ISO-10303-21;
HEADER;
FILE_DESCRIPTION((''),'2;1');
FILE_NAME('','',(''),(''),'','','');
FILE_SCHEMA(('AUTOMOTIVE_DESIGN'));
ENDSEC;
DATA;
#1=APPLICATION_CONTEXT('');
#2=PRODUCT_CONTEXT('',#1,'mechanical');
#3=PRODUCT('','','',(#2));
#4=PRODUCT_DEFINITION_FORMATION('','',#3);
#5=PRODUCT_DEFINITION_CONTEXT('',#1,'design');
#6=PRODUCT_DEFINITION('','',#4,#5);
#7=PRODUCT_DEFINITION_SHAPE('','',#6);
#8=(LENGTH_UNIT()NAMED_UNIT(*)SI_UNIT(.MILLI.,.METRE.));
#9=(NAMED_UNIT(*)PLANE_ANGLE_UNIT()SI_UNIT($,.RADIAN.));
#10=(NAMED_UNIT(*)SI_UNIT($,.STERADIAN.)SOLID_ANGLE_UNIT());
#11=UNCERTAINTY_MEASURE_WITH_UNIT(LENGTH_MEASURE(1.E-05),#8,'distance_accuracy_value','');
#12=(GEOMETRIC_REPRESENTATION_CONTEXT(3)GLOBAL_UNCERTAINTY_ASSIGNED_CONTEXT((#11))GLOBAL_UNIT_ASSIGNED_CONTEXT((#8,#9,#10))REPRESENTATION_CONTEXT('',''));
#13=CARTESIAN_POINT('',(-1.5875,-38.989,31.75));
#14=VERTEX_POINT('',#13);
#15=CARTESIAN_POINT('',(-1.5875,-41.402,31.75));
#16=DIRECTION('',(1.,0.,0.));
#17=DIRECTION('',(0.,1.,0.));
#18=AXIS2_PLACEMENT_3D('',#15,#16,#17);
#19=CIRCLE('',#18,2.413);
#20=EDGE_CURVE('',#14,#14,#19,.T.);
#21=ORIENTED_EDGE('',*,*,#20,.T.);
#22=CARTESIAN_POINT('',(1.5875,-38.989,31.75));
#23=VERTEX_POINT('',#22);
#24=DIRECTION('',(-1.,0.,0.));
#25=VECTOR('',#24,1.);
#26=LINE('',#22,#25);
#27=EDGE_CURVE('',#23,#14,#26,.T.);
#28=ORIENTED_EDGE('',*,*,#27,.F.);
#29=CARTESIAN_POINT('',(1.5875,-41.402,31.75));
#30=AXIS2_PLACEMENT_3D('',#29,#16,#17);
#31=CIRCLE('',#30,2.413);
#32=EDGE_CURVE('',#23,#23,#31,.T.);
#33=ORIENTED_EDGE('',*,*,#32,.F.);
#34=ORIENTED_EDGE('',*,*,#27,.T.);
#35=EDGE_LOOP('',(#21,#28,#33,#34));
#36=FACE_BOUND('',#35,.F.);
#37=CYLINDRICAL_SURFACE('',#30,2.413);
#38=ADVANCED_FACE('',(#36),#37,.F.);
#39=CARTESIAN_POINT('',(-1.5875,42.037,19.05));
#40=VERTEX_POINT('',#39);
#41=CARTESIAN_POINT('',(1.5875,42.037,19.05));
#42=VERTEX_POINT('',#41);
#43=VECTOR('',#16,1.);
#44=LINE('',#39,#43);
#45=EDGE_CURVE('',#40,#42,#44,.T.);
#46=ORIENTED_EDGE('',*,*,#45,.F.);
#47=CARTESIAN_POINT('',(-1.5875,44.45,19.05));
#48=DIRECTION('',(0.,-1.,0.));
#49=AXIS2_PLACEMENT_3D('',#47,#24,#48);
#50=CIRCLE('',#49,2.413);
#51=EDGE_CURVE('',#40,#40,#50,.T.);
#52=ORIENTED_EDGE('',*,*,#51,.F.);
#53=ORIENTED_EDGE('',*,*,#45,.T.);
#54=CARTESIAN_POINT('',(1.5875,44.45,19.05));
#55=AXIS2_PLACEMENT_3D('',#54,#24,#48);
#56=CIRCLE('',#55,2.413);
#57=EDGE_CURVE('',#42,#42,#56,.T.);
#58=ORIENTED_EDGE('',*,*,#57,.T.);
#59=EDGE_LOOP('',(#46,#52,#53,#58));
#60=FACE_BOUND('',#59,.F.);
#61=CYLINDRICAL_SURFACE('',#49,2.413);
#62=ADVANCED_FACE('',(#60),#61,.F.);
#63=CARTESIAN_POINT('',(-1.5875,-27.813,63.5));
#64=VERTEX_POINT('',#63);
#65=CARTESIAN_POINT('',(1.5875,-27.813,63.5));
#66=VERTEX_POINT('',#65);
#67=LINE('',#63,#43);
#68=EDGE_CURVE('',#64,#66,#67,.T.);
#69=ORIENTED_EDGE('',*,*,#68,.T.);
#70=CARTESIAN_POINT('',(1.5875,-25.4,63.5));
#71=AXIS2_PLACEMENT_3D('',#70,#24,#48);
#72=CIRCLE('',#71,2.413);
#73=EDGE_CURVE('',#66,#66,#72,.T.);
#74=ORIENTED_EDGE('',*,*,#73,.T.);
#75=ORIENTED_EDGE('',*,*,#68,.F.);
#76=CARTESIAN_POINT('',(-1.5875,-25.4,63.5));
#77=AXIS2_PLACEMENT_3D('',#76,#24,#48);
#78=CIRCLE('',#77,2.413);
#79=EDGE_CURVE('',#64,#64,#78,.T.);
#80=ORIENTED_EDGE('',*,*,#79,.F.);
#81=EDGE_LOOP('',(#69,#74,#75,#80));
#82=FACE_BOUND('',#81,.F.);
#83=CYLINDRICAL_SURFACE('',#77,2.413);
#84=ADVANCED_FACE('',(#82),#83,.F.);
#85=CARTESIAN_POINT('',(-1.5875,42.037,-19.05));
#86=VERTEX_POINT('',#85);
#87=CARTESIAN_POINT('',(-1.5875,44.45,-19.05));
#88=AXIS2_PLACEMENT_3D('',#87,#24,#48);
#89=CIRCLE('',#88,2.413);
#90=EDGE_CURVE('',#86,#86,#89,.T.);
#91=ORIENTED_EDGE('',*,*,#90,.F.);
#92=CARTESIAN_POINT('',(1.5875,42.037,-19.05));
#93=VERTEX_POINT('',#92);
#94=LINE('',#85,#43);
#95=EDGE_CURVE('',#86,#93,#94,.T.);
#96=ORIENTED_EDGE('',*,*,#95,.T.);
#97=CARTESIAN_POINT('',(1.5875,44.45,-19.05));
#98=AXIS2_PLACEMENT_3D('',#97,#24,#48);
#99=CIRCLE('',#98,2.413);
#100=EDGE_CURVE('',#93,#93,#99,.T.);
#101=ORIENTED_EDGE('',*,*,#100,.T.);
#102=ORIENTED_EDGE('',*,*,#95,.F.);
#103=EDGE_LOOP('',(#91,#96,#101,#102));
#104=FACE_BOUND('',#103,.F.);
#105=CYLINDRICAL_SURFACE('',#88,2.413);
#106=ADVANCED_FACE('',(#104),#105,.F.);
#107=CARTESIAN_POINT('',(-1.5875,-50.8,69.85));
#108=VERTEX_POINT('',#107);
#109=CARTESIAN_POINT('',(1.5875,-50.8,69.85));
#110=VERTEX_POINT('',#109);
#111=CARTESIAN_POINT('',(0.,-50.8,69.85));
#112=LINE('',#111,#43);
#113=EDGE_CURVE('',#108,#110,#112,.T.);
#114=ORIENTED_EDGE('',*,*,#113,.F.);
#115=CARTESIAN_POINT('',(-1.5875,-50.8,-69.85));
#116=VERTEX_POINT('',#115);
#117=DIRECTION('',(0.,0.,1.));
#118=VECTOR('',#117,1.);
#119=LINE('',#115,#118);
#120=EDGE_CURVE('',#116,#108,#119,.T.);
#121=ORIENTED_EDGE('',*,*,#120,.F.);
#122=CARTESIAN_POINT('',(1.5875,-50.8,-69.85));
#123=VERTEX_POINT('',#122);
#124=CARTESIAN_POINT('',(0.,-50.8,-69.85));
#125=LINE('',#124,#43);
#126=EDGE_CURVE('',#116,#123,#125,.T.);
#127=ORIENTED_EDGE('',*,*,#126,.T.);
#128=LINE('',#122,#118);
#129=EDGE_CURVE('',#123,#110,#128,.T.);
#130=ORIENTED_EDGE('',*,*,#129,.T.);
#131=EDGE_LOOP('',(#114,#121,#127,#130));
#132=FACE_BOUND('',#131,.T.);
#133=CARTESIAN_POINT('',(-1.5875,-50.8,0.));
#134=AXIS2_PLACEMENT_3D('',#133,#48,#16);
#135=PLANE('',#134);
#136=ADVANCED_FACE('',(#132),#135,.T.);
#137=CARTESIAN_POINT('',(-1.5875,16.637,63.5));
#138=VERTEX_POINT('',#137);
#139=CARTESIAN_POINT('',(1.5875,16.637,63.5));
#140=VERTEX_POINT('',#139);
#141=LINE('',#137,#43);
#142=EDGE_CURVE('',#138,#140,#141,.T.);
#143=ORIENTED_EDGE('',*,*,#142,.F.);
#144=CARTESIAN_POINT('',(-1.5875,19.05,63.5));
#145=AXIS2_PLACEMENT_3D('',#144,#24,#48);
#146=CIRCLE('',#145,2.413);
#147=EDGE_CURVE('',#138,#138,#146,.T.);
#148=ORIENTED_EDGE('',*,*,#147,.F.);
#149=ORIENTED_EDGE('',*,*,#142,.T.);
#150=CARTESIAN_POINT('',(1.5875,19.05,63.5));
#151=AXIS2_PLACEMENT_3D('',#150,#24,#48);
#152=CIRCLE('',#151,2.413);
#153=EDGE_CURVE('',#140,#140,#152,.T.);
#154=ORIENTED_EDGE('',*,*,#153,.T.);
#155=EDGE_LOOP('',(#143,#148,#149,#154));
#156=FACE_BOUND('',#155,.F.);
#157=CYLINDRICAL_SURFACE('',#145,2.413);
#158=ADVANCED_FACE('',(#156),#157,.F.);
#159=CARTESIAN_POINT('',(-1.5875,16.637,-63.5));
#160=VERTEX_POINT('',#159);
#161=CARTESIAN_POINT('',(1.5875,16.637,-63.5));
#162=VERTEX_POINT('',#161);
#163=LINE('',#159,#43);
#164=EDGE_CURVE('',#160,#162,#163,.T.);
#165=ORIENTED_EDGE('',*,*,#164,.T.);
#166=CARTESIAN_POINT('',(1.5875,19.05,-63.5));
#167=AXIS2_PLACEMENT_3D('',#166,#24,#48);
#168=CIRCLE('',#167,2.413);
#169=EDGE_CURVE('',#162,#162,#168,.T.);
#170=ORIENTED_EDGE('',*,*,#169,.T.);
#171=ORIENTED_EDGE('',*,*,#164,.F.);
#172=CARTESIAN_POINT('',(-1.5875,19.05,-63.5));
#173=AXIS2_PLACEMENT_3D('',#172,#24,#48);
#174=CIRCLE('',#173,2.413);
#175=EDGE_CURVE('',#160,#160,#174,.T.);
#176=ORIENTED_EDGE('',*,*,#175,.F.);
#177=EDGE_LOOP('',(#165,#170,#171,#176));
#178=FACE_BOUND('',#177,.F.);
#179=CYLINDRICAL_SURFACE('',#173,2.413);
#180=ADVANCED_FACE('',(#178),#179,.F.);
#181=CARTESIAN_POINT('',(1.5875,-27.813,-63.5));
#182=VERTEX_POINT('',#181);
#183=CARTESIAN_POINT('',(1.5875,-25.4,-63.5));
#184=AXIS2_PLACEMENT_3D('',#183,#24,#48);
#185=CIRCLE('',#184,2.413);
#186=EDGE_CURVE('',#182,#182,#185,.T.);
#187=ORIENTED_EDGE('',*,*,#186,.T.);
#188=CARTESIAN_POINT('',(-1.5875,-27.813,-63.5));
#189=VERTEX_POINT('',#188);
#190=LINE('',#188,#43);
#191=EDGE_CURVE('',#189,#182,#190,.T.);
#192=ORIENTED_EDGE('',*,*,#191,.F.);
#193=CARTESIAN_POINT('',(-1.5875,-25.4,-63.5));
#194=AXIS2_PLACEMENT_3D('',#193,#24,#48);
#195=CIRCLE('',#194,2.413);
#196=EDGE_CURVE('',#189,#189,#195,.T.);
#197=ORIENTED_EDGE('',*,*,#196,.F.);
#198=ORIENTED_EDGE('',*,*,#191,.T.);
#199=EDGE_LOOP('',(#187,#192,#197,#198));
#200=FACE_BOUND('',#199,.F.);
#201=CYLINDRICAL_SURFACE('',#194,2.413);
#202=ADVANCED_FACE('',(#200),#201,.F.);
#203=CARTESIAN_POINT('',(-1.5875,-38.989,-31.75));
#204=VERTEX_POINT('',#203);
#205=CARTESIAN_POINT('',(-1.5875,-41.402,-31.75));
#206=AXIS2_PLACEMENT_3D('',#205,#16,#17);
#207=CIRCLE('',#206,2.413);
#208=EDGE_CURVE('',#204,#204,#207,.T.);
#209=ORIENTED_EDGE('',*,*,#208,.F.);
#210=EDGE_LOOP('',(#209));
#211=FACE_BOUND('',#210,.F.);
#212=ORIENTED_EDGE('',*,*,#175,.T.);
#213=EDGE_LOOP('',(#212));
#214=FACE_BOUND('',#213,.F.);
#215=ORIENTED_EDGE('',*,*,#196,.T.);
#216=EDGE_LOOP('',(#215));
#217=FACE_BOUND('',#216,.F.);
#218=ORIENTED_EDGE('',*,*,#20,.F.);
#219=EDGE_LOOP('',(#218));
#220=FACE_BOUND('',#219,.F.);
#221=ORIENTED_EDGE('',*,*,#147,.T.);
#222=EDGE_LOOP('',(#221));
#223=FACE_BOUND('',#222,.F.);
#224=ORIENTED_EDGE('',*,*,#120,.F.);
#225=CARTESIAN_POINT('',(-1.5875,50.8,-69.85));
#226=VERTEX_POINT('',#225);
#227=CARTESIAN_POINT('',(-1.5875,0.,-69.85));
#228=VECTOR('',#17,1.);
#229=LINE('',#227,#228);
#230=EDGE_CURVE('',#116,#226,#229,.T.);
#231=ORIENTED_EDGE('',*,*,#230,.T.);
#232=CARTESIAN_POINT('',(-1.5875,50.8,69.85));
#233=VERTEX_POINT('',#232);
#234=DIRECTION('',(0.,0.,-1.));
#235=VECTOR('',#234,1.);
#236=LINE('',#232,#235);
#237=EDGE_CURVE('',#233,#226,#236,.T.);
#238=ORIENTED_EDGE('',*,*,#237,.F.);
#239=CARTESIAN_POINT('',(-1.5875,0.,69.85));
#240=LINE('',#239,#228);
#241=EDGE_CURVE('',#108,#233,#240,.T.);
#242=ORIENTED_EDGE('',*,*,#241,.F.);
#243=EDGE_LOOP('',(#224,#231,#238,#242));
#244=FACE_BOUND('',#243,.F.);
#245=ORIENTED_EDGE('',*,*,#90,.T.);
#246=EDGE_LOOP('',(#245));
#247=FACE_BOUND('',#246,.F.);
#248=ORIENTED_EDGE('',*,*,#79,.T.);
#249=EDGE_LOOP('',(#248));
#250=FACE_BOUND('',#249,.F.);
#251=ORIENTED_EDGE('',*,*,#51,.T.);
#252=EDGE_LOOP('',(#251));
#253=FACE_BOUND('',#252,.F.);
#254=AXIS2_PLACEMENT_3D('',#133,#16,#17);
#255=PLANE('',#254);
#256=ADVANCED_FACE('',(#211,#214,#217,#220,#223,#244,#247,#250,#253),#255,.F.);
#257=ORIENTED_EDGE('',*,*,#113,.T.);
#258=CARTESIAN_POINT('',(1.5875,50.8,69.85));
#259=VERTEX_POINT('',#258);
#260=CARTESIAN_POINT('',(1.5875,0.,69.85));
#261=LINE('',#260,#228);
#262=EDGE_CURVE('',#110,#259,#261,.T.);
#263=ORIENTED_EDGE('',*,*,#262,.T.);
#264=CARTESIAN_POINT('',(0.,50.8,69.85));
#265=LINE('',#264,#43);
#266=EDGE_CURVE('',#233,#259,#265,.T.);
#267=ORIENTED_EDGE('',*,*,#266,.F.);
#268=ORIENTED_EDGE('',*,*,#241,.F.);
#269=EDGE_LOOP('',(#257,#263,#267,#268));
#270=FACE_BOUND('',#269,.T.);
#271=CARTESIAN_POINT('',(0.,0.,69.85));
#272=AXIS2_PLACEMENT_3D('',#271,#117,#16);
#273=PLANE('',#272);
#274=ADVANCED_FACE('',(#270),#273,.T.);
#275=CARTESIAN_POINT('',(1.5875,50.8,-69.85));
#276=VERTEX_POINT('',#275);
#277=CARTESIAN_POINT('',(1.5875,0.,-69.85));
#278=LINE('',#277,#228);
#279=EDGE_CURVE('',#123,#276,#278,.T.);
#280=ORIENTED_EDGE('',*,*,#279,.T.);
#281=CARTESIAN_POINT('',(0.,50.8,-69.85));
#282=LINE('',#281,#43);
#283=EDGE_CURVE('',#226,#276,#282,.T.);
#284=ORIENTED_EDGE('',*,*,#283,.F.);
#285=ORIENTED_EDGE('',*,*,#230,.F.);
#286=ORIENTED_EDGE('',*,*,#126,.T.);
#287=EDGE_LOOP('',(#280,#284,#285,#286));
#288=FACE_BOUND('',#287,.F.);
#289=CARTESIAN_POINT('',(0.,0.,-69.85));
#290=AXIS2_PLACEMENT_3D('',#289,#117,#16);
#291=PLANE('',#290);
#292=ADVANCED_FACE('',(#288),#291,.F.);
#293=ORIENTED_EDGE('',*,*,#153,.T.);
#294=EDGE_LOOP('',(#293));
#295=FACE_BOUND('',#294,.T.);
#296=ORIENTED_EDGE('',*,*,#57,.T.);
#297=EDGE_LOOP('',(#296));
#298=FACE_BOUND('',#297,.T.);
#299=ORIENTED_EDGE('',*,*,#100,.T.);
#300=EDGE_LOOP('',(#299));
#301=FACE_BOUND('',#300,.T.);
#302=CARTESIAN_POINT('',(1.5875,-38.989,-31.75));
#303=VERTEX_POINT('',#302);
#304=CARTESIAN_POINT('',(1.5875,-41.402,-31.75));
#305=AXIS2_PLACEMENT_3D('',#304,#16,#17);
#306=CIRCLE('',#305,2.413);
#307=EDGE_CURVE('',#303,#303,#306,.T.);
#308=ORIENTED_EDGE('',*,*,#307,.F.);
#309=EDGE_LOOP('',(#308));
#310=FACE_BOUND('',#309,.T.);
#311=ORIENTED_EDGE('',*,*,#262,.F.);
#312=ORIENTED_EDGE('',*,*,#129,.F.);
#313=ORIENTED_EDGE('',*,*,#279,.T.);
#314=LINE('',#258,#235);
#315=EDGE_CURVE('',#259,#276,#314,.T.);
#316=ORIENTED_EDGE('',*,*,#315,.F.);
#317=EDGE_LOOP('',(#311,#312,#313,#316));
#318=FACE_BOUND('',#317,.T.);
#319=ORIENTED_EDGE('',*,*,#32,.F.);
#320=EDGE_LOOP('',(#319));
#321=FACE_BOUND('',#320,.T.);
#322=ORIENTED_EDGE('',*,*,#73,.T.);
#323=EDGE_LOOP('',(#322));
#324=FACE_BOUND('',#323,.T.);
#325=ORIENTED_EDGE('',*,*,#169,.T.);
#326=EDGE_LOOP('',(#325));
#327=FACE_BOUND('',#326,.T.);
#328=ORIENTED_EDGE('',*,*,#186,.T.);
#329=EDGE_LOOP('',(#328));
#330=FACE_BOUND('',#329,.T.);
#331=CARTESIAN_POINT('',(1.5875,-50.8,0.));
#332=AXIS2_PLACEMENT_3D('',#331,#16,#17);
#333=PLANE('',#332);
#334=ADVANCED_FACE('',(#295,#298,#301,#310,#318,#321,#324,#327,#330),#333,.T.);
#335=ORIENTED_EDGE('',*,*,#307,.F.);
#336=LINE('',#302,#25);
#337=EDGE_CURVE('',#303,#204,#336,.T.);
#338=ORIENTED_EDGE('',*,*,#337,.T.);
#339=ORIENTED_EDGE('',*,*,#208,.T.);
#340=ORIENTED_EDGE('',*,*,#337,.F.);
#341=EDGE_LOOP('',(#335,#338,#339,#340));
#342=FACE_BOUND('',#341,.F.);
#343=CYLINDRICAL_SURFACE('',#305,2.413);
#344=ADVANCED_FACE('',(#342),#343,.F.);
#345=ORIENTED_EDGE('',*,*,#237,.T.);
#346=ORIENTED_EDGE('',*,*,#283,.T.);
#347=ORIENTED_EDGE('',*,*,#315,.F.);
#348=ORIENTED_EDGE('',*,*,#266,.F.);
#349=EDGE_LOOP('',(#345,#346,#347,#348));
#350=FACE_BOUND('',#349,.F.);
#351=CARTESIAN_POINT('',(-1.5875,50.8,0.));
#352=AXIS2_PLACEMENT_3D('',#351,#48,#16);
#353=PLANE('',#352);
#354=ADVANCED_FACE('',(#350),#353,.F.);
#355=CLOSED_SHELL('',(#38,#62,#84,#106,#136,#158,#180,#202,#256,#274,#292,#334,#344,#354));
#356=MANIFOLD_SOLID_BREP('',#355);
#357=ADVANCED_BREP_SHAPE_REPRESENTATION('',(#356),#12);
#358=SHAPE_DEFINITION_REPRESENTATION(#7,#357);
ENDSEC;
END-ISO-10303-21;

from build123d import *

# Parameters (mm, degrees)
F0_W     = 3.175
F0_H     = 101.6
F1_DEPTH = 69.85
F2_R     = 2.413
F3_DEPTH = 3.175
F4_R     = 2.413
F5_DEPTH = 3.175
F6_R     = 2.413
F7_DEPTH = 3.175
F8_R     = 2.413
F9_DEPTH = 3.175


with BuildPart() as f1:
    # F0 (on Top) → F1 (new body, symmetric)
    with BuildSketch(Plane.XY):
        Rectangle(F0_W, F0_H)
    extrude(amount=F1_DEPTH, both=True)

    # F2 (on face) → F3 (cut, through all)
    with BuildSketch(Plane(origin=(-1.5875, 0, 0), x_dir=(0, -1, 0), z_dir=(-1, 0, 0))):
        with Locations((-44.45, -19.05)):
            Circle(F2_R)
        with Locations((-44.45, 19.05)):
            Circle(F2_R)
    extrude(amount=-F3_DEPTH, mode=Mode.SUBTRACT)

    # F4 (on face) → F5 (cut, through all)
    with BuildSketch(Plane(origin=(-1.5875, 0, 0), x_dir=(0, -1, 0), z_dir=(-1, 0, 0))):
        with Locations((-19.05, -63.5)):
            Circle(F4_R)
        with Locations((-19.05, 63.5)):
            Circle(F4_R)
    extrude(amount=-F5_DEPTH, mode=Mode.SUBTRACT)

    # F6 (on face) → F7 (cut, through all)
    with BuildSketch(Plane(origin=(-1.5875, 0, 0), x_dir=(0, -1, 0), z_dir=(-1, 0, 0))):
        with Locations((25.4, -63.5)):
            Circle(F6_R)
        with Locations((25.4, 63.5)):
            Circle(F6_R)
    extrude(amount=-F7_DEPTH, mode=Mode.SUBTRACT)

    # F8 (on face) → F9 (cut, through all)
    with BuildSketch(Plane.YZ.offset(1.5875)):
        with Locations((-41.402, 31.75)):
            Circle(F8_R)
        with Locations((-41.402, -31.75)):
            Circle(F8_R)
    extrude(amount=-F9_DEPTH, mode=Mode.SUBTRACT)


solid = f1.part
